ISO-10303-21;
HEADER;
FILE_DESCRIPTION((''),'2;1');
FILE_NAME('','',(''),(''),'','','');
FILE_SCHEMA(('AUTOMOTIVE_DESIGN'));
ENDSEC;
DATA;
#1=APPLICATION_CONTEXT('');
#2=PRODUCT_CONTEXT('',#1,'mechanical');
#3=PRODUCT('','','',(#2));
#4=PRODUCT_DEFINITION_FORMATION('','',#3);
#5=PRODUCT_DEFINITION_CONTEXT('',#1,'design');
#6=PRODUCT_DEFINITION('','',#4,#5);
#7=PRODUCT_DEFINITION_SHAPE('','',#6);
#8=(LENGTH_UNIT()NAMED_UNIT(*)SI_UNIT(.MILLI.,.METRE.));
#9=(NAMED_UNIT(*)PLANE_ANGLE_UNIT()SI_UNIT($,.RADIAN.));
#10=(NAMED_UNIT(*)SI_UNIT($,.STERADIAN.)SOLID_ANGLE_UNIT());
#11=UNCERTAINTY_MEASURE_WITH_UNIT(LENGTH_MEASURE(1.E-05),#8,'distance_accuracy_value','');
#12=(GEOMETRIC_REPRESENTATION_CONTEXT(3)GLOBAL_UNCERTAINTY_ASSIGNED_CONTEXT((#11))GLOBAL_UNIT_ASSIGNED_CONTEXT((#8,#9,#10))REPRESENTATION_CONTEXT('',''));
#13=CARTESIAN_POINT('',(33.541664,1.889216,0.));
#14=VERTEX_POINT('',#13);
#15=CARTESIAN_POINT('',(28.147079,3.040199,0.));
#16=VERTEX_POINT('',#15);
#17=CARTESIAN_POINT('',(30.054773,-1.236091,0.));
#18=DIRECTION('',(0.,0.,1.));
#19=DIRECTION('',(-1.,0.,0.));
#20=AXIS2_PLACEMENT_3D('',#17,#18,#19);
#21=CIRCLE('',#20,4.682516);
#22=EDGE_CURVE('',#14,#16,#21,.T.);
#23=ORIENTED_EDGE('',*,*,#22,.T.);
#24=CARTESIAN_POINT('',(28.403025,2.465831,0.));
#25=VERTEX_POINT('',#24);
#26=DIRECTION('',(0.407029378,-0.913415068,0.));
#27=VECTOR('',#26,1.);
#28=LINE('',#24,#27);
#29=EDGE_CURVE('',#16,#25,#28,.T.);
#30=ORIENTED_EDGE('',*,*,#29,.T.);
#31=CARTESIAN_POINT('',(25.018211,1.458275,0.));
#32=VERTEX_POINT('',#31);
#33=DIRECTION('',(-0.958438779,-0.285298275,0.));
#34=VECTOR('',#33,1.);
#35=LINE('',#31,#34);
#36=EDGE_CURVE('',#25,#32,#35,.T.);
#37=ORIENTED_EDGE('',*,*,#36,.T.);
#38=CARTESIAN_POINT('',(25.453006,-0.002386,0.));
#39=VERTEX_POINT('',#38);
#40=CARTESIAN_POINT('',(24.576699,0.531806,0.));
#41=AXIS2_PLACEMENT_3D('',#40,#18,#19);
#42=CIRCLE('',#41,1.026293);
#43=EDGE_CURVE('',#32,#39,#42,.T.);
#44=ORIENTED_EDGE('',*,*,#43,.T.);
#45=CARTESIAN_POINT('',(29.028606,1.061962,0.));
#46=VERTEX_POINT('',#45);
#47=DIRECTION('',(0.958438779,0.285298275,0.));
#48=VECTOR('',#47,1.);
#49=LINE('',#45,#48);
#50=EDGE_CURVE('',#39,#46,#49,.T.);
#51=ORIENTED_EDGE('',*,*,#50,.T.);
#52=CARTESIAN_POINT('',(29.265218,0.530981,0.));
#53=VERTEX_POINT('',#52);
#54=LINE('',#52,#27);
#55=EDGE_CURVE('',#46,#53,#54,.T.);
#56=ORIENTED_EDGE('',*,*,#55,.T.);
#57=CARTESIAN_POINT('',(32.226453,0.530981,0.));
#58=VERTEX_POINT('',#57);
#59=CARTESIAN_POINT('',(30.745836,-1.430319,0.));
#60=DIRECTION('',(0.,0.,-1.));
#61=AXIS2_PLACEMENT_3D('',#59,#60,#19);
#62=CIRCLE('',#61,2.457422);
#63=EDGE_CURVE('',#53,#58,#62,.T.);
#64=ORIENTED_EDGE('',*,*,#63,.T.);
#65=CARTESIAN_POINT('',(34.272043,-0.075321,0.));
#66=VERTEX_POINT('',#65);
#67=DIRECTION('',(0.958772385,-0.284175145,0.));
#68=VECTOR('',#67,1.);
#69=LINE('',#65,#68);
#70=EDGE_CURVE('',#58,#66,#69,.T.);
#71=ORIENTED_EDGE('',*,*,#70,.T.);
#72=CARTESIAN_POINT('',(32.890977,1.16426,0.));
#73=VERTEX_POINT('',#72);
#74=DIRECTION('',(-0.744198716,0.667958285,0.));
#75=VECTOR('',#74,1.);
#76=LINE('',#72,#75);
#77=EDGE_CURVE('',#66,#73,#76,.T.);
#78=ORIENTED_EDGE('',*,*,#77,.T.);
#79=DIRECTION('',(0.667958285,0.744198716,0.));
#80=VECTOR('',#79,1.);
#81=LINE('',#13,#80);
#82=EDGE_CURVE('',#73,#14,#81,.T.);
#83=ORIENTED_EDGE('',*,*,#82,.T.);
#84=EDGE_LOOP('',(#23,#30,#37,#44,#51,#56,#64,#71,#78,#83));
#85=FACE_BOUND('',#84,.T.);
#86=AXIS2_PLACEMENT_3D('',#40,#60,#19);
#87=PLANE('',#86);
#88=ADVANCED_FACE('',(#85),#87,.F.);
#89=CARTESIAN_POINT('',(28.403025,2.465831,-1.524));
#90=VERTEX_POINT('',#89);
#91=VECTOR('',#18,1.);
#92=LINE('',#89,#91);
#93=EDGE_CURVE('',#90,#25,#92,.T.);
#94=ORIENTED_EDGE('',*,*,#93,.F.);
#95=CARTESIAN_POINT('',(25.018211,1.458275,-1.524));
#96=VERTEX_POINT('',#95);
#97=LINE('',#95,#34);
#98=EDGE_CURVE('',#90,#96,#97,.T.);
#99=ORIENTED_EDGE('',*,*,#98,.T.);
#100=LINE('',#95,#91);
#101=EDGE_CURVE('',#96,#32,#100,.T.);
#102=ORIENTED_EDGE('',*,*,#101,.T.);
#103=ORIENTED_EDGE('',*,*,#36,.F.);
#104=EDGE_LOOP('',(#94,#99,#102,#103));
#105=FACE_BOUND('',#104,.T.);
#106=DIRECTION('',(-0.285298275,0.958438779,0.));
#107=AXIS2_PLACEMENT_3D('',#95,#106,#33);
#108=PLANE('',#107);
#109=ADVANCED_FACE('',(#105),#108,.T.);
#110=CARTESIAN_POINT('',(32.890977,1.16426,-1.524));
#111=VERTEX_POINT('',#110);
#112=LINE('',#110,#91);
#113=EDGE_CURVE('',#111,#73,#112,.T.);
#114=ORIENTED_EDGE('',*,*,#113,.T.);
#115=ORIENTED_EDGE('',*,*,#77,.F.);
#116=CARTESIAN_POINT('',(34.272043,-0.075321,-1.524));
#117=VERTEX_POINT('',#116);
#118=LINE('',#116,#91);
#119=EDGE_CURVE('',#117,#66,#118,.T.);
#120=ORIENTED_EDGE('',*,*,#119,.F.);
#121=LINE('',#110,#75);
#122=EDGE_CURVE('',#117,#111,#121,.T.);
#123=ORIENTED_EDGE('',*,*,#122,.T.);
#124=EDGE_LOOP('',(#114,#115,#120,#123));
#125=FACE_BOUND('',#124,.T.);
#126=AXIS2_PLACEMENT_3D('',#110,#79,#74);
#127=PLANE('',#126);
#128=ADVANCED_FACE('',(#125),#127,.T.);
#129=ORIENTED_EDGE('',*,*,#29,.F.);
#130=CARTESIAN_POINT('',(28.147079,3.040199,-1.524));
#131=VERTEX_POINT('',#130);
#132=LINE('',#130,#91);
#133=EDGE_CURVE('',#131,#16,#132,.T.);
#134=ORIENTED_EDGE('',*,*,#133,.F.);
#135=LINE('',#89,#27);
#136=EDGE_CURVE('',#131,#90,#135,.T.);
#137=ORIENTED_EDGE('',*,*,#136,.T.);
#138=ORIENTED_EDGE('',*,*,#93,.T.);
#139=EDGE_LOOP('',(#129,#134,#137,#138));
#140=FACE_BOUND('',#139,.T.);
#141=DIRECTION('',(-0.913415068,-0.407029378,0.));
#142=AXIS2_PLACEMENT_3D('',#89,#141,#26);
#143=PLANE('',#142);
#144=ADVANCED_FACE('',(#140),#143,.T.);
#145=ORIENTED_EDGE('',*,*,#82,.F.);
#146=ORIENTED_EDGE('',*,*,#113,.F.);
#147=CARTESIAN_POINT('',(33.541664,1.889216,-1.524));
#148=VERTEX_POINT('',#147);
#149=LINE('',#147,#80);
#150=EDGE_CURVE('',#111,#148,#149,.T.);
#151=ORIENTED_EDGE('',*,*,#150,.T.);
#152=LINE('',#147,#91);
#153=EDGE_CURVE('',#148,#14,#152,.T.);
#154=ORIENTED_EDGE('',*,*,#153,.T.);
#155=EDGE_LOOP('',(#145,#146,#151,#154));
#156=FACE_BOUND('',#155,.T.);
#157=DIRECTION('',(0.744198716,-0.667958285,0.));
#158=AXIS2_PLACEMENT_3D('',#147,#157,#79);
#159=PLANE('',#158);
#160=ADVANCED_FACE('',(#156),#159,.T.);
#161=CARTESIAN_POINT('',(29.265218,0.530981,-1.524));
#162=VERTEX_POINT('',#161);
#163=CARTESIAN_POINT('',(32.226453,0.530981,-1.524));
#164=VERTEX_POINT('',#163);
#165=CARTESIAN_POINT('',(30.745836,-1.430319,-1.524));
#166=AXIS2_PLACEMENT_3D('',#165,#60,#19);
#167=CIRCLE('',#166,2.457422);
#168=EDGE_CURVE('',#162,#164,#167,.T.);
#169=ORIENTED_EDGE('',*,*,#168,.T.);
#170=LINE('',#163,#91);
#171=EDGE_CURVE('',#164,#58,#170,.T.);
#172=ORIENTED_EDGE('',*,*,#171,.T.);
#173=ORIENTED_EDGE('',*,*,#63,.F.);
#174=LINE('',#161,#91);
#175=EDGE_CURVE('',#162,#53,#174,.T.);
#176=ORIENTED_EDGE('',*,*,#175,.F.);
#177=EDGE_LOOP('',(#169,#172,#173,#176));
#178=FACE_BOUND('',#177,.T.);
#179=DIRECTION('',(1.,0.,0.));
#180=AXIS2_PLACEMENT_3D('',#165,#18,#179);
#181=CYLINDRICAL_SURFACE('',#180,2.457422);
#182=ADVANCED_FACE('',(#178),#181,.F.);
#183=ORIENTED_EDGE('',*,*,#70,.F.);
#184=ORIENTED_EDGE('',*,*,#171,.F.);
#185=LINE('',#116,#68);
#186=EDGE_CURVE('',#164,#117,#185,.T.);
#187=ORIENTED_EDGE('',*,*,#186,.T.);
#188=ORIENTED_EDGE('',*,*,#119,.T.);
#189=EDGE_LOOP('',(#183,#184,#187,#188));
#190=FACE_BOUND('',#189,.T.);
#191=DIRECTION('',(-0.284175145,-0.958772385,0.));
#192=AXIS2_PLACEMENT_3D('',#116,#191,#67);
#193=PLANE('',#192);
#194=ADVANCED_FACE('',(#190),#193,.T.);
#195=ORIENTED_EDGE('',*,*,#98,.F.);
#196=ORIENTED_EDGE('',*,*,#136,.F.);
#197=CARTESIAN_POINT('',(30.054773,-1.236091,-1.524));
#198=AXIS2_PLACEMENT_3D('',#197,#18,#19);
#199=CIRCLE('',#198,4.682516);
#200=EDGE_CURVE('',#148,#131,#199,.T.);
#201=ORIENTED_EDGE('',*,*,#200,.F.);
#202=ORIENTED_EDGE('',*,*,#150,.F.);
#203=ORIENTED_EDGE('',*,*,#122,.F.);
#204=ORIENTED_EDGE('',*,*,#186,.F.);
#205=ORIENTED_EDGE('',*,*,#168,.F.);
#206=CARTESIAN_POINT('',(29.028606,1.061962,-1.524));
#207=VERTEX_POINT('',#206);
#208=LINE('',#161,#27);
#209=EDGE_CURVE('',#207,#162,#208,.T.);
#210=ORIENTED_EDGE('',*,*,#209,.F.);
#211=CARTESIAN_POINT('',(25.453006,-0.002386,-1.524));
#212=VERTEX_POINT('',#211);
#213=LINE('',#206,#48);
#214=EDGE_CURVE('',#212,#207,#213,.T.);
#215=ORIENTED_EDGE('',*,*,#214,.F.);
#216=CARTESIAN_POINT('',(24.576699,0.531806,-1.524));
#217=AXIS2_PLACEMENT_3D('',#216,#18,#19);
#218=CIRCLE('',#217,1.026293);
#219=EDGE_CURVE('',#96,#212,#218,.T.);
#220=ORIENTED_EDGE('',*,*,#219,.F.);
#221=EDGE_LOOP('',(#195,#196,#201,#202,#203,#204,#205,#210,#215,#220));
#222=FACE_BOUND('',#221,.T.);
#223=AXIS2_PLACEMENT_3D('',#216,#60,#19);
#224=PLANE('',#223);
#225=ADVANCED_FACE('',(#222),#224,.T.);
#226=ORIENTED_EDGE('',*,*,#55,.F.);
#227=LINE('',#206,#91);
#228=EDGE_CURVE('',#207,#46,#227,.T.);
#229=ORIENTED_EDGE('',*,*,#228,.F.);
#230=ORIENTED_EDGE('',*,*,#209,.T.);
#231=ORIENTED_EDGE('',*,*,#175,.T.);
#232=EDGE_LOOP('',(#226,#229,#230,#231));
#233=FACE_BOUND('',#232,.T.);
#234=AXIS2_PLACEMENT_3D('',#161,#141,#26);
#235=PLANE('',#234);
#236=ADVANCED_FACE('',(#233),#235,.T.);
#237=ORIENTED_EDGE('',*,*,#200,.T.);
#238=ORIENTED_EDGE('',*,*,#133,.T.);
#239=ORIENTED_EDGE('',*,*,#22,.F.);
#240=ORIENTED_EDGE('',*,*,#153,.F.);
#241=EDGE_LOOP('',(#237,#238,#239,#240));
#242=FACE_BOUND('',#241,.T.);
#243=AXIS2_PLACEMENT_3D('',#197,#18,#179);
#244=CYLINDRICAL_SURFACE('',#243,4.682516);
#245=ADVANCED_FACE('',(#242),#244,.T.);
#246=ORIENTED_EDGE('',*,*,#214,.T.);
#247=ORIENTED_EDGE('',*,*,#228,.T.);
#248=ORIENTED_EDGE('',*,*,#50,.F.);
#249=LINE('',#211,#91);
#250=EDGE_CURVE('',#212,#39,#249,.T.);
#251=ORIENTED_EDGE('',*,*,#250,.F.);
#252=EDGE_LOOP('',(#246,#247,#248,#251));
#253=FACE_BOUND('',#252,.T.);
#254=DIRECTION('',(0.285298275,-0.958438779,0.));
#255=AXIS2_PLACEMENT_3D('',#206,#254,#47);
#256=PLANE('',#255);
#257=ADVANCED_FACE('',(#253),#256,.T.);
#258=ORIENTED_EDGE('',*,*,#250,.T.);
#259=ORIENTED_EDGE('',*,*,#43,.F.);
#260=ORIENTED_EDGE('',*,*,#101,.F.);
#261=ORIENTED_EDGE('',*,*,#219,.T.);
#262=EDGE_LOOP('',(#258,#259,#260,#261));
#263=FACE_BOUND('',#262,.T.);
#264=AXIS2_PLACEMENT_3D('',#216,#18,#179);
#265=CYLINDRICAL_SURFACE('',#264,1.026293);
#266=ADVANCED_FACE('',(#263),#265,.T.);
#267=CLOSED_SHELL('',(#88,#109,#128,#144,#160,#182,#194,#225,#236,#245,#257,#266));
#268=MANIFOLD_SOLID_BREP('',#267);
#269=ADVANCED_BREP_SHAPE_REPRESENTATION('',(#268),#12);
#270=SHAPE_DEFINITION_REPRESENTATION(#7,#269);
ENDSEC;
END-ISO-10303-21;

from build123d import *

# Parameters (mm, degrees)
BOSS_EXTRUDE1_DEPTH = 1.524


with BuildPart() as part:
    # Sketch1 → Boss-Extrude1 (new body)
    with BuildSketch(Plane.XY):
        with BuildLine():
            Line((25.018211481, 1.458274504), (28.403024501, 2.465831103))
            Line((28.403024501, 2.465831103), (28.147078807, 3.040199114))
            ThreePointArc((28.147078807, 3.040199114), (31.031837949, 3.343352077), (33.541663921, 1.889216381))
            Line((33.541663921, 1.889216381), (32.890976581, 1.164259908))
            Line((32.890976581, 1.164259908), (34.272042889, -0.07532122))
            Line((34.272042889, -0.07532122), (32.226452866, 0.530981017))
            ThreePointArc((32.226452866, 0.530981017), (30.745835594, 1.027103578), (29.265218322, 0.530981017))
            Line((29.265218322, 0.530981017), (29.028606423, 1.061962035))
            Line((29.028606423, 1.061962035), (25.453006053, -0.002386196))
            ThreePointArc((25.453006053, -0.002386196), (23.593059825, 0.239006946), (25.018211481, 1.458274504))
        make_face()
    extrude(amount=-BOSS_EXTRUDE1_DEPTH)


solid = part.part
